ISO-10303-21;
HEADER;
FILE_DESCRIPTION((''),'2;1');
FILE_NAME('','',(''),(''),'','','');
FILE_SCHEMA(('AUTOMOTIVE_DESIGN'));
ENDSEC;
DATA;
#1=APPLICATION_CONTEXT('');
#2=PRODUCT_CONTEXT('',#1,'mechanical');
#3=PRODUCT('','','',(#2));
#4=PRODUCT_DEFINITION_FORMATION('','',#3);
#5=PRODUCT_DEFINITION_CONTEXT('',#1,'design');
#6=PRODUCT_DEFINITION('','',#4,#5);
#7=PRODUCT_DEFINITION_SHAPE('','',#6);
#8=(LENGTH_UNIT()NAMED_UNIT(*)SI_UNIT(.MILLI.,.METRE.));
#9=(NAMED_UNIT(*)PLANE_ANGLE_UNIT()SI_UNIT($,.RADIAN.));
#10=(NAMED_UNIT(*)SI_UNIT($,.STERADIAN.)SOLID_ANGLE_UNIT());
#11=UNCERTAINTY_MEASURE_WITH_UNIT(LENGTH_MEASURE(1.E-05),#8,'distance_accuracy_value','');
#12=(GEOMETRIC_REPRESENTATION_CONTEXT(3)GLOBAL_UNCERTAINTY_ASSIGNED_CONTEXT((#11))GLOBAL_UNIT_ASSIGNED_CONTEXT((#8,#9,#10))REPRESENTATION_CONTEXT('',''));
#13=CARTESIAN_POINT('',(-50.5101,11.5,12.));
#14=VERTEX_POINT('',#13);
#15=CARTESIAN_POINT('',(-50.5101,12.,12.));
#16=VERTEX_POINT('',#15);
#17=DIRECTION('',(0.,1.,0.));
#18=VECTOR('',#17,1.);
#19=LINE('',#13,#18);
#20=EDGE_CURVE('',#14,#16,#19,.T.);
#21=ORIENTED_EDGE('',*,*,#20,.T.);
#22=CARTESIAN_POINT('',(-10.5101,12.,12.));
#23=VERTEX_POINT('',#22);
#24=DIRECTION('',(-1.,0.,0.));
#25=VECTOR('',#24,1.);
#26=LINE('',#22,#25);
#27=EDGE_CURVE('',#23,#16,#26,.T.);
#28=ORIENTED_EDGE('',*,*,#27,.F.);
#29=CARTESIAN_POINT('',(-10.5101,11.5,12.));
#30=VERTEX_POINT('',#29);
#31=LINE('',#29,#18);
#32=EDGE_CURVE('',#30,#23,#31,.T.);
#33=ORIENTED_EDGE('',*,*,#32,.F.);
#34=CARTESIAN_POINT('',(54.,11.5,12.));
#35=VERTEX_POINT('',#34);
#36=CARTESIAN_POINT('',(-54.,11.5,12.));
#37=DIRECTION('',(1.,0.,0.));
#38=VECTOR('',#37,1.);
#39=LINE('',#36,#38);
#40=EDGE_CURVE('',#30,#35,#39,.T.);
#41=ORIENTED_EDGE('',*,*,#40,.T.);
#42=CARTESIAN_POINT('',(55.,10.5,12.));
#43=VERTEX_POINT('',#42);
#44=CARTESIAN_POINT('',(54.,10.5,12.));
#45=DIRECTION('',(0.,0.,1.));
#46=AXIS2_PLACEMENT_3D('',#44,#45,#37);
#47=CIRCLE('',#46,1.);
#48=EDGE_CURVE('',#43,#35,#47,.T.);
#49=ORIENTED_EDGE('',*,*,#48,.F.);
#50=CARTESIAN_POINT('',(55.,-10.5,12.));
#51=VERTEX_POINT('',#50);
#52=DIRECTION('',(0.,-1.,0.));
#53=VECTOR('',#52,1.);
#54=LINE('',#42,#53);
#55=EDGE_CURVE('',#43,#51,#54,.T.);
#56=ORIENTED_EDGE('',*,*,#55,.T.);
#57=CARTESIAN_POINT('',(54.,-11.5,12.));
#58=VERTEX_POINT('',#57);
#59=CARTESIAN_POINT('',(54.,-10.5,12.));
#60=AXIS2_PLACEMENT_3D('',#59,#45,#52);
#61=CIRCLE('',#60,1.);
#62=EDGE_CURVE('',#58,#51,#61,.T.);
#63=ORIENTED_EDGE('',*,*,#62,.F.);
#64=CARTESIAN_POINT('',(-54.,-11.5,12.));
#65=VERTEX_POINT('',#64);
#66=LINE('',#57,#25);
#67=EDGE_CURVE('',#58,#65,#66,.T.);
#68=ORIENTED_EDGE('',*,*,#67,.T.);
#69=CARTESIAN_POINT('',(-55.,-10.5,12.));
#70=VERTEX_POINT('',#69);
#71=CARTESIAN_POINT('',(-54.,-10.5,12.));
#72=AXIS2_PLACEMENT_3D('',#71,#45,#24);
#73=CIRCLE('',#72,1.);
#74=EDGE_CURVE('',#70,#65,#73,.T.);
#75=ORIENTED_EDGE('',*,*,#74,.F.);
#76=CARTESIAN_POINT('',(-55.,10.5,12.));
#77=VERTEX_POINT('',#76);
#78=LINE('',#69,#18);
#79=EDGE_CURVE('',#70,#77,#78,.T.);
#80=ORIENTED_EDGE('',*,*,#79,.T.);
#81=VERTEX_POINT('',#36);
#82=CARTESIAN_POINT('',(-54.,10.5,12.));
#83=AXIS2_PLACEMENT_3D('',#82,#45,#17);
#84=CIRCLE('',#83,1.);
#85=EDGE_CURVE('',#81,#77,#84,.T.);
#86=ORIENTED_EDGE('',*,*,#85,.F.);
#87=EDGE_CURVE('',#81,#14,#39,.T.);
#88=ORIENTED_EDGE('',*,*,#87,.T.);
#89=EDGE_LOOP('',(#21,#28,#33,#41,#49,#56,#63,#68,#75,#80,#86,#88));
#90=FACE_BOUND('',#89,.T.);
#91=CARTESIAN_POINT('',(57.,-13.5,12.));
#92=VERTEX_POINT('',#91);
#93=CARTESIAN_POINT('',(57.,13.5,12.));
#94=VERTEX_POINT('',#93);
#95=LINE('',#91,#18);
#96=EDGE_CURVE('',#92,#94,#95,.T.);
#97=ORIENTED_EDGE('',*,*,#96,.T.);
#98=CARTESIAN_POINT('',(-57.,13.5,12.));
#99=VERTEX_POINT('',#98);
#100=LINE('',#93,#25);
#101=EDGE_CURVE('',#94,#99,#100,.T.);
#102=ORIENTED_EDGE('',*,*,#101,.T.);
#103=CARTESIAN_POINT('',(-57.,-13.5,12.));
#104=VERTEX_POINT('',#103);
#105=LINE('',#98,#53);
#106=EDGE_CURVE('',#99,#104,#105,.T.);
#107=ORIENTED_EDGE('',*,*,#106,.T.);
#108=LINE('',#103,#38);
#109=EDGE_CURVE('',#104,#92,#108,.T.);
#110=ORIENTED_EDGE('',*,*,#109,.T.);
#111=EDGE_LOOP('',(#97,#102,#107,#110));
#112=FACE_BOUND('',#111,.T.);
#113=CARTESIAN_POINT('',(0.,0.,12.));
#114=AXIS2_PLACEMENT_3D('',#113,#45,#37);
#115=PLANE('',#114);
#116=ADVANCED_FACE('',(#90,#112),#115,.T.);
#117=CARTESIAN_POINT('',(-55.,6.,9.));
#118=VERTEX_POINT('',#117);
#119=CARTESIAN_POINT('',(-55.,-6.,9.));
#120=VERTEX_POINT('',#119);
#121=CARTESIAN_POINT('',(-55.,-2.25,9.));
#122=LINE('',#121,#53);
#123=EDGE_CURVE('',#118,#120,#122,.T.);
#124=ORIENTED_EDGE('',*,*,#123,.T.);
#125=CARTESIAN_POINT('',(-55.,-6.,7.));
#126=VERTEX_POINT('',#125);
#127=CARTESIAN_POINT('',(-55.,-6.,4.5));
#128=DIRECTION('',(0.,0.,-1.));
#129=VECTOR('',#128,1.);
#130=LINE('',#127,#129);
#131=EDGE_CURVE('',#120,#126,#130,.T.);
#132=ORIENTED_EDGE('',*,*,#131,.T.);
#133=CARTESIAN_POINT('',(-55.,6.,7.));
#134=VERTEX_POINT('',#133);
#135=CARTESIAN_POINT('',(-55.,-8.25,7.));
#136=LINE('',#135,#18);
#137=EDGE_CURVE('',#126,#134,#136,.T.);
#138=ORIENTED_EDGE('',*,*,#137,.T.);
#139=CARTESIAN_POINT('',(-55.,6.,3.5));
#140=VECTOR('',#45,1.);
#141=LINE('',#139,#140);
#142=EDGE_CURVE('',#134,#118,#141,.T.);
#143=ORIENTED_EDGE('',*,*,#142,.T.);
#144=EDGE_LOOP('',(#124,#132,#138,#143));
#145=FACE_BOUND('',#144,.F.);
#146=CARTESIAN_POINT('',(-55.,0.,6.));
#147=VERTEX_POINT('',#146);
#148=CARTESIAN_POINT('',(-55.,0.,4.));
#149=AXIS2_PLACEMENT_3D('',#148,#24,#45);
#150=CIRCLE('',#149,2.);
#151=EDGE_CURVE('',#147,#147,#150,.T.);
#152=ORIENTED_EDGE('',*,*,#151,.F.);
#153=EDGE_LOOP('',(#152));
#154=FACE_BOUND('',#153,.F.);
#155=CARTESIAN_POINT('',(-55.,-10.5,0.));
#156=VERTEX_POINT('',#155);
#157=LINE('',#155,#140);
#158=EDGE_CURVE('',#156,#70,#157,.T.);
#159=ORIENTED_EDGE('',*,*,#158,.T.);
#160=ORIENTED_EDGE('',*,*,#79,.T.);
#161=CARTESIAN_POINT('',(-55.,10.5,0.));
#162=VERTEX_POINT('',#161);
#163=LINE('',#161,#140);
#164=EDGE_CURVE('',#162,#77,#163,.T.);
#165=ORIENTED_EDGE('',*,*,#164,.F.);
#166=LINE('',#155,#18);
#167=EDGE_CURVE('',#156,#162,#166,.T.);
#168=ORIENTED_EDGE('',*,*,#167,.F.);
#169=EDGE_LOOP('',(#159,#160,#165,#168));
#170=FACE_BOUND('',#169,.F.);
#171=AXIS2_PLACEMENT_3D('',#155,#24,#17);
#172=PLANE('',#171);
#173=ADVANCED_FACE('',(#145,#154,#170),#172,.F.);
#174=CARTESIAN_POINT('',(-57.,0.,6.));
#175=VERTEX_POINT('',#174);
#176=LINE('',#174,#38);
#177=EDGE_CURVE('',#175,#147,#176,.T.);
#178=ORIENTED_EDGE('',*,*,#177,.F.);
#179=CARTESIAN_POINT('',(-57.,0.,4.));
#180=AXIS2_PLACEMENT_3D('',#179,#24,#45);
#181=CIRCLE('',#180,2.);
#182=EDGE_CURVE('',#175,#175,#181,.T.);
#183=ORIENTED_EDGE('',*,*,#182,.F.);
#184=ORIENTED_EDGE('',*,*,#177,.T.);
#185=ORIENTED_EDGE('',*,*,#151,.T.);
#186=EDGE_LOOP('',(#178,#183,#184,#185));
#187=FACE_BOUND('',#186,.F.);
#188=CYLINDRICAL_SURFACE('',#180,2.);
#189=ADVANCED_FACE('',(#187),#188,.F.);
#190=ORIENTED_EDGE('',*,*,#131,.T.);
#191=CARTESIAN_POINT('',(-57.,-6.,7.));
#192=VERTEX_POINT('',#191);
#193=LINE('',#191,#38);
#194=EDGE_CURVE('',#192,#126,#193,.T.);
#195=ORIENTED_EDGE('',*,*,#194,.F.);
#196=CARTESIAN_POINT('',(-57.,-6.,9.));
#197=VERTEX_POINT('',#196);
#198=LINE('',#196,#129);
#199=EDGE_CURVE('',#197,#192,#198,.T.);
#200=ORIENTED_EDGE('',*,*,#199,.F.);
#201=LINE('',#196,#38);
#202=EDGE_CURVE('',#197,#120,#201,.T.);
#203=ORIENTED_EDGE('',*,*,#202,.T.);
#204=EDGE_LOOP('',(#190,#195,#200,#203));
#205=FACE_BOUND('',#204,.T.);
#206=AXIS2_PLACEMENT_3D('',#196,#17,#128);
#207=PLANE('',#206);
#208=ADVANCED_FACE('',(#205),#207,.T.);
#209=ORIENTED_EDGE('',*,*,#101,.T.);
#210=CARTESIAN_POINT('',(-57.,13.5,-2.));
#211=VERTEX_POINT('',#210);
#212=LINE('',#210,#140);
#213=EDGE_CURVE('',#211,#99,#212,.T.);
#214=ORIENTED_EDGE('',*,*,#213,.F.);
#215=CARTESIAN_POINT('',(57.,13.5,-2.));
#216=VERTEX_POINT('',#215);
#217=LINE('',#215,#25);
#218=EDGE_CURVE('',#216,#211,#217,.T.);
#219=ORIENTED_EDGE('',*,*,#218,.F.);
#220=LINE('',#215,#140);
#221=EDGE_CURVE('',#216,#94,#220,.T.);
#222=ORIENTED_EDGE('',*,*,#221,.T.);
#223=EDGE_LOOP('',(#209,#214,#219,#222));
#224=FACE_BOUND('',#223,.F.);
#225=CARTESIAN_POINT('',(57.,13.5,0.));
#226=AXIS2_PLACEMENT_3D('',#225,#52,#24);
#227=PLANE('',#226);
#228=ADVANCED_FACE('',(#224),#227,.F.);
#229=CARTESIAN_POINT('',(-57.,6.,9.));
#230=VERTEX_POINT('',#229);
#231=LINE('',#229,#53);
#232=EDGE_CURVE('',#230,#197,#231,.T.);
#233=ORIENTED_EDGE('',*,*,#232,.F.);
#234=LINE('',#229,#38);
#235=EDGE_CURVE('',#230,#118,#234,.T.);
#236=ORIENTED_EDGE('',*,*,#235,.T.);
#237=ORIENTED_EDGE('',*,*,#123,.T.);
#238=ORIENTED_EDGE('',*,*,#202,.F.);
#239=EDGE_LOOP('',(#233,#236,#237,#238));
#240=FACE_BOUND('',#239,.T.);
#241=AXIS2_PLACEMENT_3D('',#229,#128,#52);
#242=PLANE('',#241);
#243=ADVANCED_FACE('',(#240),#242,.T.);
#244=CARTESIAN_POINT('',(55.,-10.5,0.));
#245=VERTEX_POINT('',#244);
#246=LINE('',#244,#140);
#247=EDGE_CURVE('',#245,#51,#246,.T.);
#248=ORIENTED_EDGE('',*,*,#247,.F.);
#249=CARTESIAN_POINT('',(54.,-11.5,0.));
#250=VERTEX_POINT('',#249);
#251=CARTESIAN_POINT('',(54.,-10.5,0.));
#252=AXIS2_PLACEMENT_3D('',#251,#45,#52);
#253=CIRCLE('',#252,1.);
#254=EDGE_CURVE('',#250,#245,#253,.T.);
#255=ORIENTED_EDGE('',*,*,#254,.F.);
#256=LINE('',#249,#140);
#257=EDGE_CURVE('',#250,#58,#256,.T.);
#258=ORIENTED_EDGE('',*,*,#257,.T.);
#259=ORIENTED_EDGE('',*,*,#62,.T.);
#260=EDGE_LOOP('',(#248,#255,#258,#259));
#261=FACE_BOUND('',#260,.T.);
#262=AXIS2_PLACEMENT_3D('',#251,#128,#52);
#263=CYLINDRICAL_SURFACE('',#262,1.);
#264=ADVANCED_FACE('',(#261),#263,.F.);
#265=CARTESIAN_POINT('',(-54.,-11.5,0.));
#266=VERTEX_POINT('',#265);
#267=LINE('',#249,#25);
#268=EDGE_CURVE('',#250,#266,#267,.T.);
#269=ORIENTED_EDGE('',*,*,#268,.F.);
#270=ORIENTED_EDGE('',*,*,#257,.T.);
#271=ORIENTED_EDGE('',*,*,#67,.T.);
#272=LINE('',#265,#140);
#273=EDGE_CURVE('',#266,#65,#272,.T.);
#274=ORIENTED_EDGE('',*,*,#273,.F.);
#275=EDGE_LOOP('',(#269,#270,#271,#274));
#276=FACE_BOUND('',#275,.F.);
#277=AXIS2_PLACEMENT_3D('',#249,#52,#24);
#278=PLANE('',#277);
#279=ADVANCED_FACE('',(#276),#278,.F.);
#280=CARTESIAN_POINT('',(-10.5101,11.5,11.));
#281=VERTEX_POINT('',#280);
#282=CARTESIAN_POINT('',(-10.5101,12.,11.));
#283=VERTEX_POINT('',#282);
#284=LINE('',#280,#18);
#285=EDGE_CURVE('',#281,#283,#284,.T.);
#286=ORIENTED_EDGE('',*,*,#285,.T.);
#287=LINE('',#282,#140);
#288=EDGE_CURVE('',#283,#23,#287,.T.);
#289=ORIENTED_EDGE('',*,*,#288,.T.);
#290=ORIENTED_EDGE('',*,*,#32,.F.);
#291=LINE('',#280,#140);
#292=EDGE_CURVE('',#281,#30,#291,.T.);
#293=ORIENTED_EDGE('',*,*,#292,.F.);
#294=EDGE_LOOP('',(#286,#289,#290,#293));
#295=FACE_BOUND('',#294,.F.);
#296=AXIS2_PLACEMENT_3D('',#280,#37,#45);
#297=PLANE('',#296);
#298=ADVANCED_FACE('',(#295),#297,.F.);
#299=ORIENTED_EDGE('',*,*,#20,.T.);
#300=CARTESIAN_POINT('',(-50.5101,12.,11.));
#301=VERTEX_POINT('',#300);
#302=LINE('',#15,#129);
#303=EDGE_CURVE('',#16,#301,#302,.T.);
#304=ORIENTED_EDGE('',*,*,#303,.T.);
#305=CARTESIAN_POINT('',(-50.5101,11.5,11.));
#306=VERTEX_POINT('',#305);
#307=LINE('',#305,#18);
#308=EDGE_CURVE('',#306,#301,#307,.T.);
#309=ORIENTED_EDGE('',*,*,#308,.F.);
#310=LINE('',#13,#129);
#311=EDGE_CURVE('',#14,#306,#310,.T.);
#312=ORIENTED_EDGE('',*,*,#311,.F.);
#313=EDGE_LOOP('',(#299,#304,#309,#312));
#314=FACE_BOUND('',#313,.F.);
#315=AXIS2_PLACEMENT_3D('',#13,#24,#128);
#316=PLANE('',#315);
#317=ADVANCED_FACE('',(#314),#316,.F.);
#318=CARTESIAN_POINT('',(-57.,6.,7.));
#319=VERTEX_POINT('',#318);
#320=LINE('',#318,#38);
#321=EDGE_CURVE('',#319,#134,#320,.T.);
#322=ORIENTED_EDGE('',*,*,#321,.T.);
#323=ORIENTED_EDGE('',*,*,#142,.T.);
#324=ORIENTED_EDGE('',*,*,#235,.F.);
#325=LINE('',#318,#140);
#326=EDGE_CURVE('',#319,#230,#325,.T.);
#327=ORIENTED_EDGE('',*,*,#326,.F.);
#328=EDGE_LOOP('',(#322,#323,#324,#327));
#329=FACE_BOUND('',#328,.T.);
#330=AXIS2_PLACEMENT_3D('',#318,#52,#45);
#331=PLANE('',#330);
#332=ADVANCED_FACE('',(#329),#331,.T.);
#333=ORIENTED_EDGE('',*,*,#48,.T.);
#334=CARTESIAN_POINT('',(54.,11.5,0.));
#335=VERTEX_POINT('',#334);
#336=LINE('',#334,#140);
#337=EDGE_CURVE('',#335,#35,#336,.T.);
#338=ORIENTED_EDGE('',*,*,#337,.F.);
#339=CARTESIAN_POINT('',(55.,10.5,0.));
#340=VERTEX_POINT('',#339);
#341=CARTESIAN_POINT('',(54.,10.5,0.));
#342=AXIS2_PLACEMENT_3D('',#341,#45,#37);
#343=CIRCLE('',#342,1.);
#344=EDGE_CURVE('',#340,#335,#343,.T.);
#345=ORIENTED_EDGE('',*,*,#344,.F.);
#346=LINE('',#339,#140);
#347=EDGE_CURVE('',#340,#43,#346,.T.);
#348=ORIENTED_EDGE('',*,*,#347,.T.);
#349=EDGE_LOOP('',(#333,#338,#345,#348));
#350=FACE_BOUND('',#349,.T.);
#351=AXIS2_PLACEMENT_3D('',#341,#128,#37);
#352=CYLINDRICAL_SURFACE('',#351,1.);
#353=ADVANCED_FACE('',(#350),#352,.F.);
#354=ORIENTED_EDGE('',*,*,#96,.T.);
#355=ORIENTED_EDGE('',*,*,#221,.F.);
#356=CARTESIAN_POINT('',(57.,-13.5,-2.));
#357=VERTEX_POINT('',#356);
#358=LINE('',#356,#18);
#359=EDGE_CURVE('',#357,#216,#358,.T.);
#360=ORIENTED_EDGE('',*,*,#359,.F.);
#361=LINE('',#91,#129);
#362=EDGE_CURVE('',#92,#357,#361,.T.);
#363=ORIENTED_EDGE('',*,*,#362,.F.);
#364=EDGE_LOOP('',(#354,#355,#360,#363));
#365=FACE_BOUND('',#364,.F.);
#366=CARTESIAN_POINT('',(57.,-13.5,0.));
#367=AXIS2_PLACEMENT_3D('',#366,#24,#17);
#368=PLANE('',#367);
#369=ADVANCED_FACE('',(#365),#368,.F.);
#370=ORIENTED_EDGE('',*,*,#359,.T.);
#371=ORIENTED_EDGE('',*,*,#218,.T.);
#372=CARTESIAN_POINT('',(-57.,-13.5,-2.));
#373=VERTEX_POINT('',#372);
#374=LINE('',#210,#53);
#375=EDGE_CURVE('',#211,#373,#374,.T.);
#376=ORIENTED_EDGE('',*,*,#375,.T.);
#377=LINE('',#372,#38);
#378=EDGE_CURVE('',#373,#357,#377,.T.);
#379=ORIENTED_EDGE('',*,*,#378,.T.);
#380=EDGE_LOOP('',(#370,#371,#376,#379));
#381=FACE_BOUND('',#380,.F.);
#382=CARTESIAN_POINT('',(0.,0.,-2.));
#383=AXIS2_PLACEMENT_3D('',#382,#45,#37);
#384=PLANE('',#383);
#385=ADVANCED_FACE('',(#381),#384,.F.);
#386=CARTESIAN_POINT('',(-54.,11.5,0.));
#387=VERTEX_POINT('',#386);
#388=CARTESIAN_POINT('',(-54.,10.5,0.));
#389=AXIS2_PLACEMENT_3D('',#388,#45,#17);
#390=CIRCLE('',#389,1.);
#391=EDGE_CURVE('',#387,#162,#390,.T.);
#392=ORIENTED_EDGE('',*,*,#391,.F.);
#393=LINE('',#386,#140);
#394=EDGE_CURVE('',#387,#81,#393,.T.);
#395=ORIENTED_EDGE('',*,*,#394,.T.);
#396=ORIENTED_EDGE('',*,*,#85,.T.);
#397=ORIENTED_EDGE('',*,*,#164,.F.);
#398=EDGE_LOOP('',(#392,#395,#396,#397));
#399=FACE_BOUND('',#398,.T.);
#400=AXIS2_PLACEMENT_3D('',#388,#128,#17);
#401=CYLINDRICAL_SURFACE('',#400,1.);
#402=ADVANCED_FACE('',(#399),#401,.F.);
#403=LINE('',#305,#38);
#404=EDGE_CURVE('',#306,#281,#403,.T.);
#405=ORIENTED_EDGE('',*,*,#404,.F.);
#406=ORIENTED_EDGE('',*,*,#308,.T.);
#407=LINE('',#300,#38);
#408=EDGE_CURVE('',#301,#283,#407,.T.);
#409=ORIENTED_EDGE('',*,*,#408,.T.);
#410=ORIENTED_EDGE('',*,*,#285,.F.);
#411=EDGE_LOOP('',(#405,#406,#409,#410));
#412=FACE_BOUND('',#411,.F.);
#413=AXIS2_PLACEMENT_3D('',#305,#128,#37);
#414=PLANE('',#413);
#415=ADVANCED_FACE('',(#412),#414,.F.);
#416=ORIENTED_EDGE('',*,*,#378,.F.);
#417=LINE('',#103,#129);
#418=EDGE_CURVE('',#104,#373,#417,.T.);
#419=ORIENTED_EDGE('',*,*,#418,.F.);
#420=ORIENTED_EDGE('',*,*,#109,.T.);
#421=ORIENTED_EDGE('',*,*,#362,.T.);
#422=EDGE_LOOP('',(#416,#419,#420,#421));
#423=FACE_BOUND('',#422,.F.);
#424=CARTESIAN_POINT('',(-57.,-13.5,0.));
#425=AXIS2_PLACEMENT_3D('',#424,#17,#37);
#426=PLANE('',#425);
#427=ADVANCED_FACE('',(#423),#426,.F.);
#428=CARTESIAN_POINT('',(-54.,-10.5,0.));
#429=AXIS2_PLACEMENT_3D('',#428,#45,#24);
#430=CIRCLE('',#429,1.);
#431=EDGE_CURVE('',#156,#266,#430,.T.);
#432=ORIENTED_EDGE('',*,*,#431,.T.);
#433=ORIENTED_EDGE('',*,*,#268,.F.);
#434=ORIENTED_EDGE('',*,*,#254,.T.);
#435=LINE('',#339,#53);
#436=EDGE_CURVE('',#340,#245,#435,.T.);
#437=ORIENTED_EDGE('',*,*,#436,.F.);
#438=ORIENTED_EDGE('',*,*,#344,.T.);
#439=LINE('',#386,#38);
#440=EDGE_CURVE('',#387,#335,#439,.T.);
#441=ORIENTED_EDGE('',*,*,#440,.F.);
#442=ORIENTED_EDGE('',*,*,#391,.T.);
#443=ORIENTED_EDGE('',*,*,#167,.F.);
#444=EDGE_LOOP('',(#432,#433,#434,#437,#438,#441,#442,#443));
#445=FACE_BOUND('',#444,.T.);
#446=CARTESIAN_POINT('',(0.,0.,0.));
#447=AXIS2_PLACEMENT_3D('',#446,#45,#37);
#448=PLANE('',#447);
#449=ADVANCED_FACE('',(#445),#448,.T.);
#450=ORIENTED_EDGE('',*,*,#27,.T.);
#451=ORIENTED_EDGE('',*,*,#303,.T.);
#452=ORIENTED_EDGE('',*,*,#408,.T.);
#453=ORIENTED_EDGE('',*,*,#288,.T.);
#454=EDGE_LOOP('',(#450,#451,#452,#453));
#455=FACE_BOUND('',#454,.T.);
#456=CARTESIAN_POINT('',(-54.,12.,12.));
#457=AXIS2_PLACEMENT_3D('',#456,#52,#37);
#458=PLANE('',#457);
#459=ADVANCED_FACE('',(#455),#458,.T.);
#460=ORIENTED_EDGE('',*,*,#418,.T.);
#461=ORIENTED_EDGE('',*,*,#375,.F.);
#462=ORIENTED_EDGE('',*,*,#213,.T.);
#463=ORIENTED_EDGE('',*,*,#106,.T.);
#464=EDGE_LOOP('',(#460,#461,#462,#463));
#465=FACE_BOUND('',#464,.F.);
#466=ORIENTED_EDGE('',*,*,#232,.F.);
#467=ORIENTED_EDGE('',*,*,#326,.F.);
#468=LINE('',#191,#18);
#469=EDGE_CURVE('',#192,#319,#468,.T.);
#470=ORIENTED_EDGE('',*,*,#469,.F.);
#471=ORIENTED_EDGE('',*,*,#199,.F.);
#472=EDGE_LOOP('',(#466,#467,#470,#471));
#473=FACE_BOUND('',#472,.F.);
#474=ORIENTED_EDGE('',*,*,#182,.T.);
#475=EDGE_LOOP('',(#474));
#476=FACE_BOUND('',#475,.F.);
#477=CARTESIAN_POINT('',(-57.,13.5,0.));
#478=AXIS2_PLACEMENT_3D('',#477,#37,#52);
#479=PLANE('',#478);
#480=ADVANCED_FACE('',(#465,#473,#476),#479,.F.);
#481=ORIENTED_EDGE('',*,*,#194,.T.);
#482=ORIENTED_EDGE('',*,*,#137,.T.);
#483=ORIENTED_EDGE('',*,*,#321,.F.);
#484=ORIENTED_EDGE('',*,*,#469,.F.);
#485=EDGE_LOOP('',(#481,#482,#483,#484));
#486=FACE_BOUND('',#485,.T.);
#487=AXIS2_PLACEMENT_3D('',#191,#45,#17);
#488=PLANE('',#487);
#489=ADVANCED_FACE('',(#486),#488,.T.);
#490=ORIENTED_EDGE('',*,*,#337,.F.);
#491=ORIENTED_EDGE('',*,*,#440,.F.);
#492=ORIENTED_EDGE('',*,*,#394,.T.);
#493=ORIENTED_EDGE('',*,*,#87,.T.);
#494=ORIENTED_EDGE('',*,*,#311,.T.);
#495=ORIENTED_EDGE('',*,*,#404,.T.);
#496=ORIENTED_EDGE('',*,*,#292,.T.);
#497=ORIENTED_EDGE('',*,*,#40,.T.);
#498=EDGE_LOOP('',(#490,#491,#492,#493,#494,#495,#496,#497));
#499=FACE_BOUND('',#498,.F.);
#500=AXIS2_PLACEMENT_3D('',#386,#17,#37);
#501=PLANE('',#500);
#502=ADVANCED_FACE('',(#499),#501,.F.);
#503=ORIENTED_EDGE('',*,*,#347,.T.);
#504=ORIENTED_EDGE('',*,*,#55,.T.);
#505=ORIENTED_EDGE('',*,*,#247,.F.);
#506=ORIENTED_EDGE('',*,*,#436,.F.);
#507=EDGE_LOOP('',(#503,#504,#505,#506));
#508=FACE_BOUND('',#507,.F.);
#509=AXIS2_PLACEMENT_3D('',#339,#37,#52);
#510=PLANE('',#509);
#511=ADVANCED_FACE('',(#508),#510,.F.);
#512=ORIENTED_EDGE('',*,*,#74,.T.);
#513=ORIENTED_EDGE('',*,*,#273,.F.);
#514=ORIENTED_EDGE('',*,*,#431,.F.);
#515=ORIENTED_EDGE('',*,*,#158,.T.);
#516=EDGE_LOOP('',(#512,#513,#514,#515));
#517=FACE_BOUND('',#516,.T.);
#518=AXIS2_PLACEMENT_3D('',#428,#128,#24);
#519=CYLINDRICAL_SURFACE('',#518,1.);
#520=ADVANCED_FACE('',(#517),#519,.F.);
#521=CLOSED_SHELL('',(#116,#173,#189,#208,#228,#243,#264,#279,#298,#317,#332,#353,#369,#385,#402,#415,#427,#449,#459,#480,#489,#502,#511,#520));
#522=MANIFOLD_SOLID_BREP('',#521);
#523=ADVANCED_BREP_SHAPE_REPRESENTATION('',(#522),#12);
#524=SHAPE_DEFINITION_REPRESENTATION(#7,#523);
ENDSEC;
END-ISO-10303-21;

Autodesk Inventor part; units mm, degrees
ref_plane "YZ Plane" through (0, 0, 0) normal (1, 0, 0) x (0, 1, 0)
ref_plane "XZ Plane" through (0, 0, 0) normal (0, 1, 0) x (-1, 0, 0)
ref_plane "XY Plane" through (0, 0, 0) normal (0, 0, 1) x (1, 0, 0)
sketch "Sketch2" plane through (0, 0, 0) normal (0, 0, 1) x (1, 0, 0)
  line L0 (-54, 11.5) -> (54, 11.5)
  line L1 (55, 10.5) -> (55, -10.5)
  line L2 (54, -11.5) -> (-54, -11.5)
  line L3 (-55, -10.5) -> (-55, 10.5)
  line L4 (-55, 11.5) -> (55, -11.5) construction
  line L5 (55, 11.5) -> (-55, -11.5) construction
  line L6 (53, 9.5) -> (-53, 9.5)
  line L7 (-53, 9.5) -> (-53, -9.5)
  line L8 (-53, -9.5) -> (53, -9.5)
  line L9 (53, -9.5) -> (53, 9.5)
  line L10 (57, 13.5) -> (-57, 13.5)
  line L11 (-57, 13.5) -> (-57, -13.5)
  line L12 (-57, -13.5) -> (57, -13.5)
  line L13 (57, -13.5) -> (57, 13.5)
  arc A0 (55, 10.5) -> (54, 11.5) centre (54, 10.5) ccw
  arc A1 (54, -11.5) -> (55, -10.5) centre (54, -10.5) ccw
  arc A2 (-55, -10.5) -> (-54, -11.5) centre (-54, -10.5) ccw
  arc A3 (-54, 11.5) -> (-55, 10.5) centre (-54, 10.5) ccw
  point P0 (0, 0)
  dimension "d0" = 110
  dimension "d1" = 23
  dimension "d2" = 2
  dimension "d3" = 2
  dimension "d10" = 1
extrude "Extrusion2" add sketch "Sketch2" along normal blind 12 contours L13 L12 L11 L10
sketch "Sketch3" plane through (-57, -13.5, 0) normal (-1, 0, 0) x (0, 0, 1)
  line L0 (7, 19.5) -> (9, 19.5)
  line L1 (9, 19.5) -> (9, 7.5)
  line L2 (9, 7.5) -> (7, 7.5)
  line L3 (7, 7.5) -> (7, 19.5)
  line L4 (0, 27) -> (0, 0) projected
  line L5 (0, 27) -> (12, 27) projected
  circle A0 centre (4, 13.5) radius 2
  line L6 (12, 27) -> (12, 0) projected
  line L7 (0, 13.5) -> (2, 13.5) construction
  line L8 (12, 0) -> (12, 27) construction
  line L9 (0, 0) -> (0, 27) construction
  dimension "d20" = 4
  dimension "d12" = 2
  dimension "d13" = 12
  dimension "d15" = 7.5
  dimension "d21" = 3
  dimension "d24" = 4
  dimension "d25" = 2
  dimension "d26" = 3
extrude "Extrusion4" cut sketch "Sketch3" against normal blind 10
extrude "Extrusion5" add sketch "Sketch2" against normal blind 2 contours L0 A0 L1 A1 L2 A2 L3 A3 | L9 L8 L7 L6 | L13 L12 L11 L10
sketch "Sketch4" plane through (-54, 11.5, 12) normal (0, -1, 0) x (1, 0, 0)
  line L0 (3.4899, -1) -> (43.4899, -1)
  line L1 (43.4899, -1) -> (43.4899, 0)
  line L2 (43.4899, 0) -> (3.4899, 0)
  line L3 (3.4899, 0) -> (3.4899, -1)
  line L4 (0, 0) -> (108, 0) projected
  point P0 (54, -12)
  dimension "d27" = 1
  dimension "d28" = 40
extrude "Extrusion6" cut sketch "Sketch4" against normal blind 0.5
properties part number "sdm_finger_bone_attachment_mould"
